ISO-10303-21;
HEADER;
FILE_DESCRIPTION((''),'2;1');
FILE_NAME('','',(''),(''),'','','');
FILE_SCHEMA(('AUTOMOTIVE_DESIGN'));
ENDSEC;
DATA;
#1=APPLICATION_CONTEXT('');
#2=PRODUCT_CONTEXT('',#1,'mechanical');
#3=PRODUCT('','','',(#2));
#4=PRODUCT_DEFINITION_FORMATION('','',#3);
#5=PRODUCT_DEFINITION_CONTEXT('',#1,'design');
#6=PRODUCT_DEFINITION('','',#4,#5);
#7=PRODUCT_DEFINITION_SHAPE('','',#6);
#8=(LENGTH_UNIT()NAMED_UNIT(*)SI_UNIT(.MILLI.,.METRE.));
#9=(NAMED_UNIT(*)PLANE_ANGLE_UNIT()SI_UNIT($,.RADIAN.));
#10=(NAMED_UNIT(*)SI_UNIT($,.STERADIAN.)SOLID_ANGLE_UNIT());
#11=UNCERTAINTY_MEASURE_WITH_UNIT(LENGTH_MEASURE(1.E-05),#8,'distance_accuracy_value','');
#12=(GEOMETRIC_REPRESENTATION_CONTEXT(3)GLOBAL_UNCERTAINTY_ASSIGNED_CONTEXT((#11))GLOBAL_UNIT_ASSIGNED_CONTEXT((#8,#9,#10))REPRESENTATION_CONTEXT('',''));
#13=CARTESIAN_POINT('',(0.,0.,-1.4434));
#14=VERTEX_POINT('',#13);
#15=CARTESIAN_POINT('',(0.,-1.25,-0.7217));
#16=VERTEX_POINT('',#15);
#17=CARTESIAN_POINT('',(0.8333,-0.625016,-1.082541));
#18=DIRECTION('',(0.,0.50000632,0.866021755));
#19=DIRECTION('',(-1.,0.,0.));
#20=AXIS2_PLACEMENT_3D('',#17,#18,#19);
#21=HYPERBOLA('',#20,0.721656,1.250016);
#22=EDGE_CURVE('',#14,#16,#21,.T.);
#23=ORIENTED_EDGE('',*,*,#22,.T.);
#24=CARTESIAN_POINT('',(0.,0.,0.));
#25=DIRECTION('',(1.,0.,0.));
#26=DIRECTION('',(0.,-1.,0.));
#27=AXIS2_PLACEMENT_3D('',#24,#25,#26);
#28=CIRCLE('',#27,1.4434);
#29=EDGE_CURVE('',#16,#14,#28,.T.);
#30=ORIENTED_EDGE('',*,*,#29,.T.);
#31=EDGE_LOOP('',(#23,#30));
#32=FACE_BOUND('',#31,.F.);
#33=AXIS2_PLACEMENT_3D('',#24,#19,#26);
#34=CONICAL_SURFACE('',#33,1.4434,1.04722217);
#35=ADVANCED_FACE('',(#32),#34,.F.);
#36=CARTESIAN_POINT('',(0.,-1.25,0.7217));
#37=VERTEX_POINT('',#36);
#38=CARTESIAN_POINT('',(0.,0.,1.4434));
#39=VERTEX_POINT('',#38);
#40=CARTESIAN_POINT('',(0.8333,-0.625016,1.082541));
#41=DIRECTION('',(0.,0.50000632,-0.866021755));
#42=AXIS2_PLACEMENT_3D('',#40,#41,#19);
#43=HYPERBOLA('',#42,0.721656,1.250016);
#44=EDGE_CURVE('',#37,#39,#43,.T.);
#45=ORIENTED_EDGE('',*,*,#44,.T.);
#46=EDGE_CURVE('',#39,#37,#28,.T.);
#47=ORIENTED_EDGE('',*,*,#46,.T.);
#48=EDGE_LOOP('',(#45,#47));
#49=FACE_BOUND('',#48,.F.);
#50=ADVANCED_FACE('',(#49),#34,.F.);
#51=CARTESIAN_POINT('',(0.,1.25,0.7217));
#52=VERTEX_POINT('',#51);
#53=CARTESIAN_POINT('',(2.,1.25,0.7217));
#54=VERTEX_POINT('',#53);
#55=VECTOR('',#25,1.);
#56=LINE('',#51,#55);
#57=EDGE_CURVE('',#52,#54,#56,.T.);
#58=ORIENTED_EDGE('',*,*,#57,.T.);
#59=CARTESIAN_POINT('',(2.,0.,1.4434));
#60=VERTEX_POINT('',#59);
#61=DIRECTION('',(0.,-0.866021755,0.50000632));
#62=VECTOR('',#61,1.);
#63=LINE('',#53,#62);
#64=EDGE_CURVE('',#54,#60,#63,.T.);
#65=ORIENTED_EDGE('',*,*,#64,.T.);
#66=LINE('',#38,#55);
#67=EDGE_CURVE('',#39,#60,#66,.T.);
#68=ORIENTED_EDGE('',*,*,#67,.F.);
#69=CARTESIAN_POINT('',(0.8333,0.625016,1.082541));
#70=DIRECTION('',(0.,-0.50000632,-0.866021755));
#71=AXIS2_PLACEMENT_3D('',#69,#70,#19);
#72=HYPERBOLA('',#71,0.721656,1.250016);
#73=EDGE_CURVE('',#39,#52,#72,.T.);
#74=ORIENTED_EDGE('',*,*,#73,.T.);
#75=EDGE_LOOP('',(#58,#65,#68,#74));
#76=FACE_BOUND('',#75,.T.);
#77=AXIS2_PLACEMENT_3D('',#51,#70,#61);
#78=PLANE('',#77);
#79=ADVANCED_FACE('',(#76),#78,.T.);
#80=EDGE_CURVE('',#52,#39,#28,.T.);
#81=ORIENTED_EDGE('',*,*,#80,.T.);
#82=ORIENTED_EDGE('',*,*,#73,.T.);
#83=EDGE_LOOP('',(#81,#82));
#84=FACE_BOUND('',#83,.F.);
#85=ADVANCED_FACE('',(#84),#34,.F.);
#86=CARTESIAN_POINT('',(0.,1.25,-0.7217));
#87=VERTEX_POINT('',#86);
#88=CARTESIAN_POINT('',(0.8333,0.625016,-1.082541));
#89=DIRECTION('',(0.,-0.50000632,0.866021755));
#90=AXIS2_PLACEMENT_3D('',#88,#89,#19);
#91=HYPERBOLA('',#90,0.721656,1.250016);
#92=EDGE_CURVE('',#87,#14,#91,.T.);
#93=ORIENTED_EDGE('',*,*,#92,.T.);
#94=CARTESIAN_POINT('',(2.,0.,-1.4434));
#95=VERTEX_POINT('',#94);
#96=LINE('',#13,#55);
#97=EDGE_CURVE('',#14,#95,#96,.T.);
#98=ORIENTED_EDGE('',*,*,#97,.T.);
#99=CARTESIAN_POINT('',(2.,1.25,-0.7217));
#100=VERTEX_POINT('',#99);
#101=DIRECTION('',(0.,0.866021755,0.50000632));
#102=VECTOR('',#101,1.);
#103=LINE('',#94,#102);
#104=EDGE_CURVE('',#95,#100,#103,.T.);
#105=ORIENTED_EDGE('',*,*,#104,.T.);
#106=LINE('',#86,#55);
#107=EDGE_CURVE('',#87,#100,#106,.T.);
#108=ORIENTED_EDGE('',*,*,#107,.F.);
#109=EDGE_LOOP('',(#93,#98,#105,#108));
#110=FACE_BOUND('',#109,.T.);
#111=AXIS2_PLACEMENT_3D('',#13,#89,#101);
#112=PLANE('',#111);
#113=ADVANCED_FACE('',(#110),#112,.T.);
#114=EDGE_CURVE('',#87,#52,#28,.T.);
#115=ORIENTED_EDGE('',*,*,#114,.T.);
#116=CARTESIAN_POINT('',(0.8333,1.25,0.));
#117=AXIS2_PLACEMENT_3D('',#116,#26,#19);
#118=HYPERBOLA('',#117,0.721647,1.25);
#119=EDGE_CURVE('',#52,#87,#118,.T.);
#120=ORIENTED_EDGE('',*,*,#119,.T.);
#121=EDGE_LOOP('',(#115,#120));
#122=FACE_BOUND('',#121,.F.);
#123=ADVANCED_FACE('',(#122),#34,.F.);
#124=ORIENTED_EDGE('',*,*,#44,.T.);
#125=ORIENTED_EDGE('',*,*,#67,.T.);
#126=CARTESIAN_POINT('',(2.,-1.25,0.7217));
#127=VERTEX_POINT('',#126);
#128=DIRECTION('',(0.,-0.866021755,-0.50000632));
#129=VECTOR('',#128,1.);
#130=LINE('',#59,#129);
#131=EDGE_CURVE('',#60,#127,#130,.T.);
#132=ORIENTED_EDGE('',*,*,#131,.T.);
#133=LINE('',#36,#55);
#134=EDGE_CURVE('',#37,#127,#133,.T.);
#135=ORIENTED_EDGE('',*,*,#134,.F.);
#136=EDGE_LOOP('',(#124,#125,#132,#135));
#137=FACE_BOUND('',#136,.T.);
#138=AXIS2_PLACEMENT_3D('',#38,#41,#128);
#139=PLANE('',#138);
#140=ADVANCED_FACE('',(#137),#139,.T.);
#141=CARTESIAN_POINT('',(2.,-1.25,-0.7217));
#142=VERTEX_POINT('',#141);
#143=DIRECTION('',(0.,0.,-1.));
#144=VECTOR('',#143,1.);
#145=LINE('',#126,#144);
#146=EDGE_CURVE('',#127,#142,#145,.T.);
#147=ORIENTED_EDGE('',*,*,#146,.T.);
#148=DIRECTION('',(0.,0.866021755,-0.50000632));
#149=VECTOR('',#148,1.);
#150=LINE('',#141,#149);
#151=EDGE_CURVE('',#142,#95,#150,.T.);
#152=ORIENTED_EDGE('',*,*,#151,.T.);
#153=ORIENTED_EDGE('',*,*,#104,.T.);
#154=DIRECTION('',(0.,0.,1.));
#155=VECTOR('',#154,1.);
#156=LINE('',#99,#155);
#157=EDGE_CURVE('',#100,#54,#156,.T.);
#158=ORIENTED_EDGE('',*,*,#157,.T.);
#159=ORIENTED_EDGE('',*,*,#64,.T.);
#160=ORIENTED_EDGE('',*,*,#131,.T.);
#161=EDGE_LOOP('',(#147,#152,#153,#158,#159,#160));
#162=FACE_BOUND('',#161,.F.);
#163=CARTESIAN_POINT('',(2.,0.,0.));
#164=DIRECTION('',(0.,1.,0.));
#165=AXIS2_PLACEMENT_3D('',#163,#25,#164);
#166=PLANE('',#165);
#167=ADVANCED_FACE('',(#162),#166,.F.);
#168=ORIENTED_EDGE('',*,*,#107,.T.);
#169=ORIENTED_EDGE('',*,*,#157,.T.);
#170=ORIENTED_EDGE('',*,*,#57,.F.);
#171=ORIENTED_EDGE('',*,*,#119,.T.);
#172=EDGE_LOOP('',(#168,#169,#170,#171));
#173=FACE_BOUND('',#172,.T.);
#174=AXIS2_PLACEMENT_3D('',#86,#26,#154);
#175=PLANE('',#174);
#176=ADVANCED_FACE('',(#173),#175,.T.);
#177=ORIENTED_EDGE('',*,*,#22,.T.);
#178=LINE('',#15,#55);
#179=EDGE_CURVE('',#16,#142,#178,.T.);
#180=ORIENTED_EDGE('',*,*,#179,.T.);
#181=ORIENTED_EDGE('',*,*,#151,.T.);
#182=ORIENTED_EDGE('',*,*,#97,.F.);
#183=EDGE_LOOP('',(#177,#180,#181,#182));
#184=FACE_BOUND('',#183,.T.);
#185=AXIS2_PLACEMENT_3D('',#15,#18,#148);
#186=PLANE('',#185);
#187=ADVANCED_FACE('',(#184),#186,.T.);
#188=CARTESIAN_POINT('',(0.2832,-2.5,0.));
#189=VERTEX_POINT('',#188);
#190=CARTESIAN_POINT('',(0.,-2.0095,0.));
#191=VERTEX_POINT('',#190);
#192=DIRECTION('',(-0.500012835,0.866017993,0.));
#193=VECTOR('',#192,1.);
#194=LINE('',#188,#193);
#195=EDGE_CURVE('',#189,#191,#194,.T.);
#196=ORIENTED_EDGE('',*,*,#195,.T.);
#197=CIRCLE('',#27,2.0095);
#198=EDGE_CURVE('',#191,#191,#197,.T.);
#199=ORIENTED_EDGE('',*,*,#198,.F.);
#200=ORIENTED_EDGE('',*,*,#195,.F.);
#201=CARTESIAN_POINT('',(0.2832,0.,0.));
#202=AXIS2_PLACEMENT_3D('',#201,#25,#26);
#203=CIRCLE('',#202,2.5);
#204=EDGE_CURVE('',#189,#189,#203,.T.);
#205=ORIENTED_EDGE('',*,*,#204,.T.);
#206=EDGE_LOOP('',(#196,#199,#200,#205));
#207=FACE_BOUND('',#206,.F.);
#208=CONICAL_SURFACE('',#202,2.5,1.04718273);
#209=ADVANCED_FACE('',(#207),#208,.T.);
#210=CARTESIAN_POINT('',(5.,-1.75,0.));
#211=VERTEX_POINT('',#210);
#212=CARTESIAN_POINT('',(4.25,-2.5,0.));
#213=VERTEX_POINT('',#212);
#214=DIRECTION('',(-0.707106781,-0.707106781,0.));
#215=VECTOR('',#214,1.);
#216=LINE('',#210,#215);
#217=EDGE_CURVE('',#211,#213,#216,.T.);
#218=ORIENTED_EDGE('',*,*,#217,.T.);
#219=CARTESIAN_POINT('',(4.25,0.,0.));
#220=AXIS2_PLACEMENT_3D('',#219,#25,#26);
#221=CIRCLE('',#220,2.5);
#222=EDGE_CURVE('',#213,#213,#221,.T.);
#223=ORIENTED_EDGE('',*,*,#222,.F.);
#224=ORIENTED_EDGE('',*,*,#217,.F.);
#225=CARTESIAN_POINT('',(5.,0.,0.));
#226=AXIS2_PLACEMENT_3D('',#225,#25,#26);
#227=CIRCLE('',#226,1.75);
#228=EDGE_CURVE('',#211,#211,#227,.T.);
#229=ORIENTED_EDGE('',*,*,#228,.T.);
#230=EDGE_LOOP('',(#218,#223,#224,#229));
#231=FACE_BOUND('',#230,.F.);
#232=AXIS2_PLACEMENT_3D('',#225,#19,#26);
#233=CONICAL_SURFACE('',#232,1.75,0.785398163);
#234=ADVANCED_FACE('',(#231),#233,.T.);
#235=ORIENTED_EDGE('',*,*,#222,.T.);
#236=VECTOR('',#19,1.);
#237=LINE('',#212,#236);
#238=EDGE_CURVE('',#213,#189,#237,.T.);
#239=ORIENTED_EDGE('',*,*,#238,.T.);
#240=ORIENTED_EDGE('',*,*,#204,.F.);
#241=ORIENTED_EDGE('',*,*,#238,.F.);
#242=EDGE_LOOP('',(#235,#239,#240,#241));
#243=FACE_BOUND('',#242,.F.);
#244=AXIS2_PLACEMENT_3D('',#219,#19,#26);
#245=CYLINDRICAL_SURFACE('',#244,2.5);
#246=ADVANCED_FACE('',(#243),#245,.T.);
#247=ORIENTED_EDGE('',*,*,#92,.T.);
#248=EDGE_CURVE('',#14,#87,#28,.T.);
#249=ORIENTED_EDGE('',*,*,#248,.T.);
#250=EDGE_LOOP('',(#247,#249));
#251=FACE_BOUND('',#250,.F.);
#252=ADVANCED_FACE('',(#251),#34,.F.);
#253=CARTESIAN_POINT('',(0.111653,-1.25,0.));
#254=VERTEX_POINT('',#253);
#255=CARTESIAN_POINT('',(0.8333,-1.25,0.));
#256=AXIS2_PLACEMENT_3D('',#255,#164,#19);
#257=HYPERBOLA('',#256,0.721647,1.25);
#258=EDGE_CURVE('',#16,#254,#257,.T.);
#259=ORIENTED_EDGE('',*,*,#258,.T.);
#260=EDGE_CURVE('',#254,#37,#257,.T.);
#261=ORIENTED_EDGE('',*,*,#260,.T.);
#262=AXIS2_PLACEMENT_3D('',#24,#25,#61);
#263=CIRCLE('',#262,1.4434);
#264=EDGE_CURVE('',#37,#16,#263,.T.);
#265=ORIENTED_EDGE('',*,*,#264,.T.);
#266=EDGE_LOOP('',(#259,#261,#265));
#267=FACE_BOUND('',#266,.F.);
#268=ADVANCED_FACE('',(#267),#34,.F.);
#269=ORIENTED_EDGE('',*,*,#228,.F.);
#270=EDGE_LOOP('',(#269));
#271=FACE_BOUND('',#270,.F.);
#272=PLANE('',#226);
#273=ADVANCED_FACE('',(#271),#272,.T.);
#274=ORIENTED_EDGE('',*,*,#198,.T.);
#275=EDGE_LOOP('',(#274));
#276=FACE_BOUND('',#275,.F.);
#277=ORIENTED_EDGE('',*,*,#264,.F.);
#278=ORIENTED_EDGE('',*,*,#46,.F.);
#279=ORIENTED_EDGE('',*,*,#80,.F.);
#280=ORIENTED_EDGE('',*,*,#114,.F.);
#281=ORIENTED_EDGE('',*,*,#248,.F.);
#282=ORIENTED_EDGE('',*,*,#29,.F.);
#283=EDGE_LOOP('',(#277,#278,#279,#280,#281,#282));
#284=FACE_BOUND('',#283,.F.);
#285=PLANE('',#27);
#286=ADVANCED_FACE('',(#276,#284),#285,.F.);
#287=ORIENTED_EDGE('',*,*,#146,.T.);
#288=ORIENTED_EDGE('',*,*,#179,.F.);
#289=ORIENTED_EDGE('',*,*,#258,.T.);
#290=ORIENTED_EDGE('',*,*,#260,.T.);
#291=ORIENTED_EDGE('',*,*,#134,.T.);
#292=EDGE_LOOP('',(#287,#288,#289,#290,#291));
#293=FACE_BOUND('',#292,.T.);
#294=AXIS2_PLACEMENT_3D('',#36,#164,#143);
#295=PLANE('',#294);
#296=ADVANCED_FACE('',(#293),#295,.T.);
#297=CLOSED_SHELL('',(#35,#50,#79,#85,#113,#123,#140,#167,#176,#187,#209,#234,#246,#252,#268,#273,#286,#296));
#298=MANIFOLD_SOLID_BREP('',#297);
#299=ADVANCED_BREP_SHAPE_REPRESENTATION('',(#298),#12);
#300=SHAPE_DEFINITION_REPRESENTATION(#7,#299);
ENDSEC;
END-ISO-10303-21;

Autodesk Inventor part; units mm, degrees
sketch "Sketch_1" plane through (0, 0, 0) normal (0, 0, 1) x (1, 0, 0)
  line L0 (0.8333, 0) -> (5, 0)
  line L1 (5, 0) -> (5, -1.75)
  line L2 (5, -1.75) -> (4.25, -2.5)
  line L3 (4.25, -2.5) -> (0.2832, -2.5)
  line L4 (0.2832, -2.5) -> (0, -2.0095)
  line L5 (0, -2.0095) -> (0, -1.4434)
  line L6 (0, -1.4434) -> (0.8333, 0)
  line L7 (0.8333, 0) -> (5, 0)
revolve "Revolution1" add sketch "Sketch_1" angle 360 about axis through (0.8333, 0, 0) along (1, 0, 0)
thread "Thread1" size "M5x0.8" class "6g" standard "ISO Metric profile" full length
sketch "Sketch_2" plane through (0, 0, 0) normal (1, 0, 0) x (0, 1, 0)
  line L0 (0, 1.4434) -> (-1.25, 0.7217)
  line L1 (-1.25, 0.7217) -> (-1.25, -0.7217)
  line L2 (-1.25, -0.7217) -> (0, -1.4434)
  line L3 (0, -1.4434) -> (1.25, -0.7217)
  line L4 (1.25, -0.7217) -> (1.25, 0.7217)
  line L5 (1.25, 0.7217) -> (0, 1.4434)
extrude "Extrusion1" cut sketch "Sketch_2" along normal blind 2
ref_plane "IP1_XY" through (0, 0, 0) normal (1, 0, 0) x (0, 0, -1)
ref_plane "IP1_YZ" through (0, 0, 0) normal (0, 0, -1) x (0, 1, 0)
ref_plane "IP1_ZX" through (0, 0, 0) normal (0, 1, 0) x (1, 0, 0)
ref_plane "IP2_XY" through (5, 0, 0) normal (1, 0, 0) x (0, 0, -1)
ref_plane "IP2_YZ" through (5, 0, 0) normal (0, 0, -1) x (0, 1, 0)
ref_plane "IP2_ZX" through (5, 0, 0) normal (0, 1, 0) x (1, 0, 0)
properties part number "Hexagon socket set screw with flat point DIN 913 - M5x5"
